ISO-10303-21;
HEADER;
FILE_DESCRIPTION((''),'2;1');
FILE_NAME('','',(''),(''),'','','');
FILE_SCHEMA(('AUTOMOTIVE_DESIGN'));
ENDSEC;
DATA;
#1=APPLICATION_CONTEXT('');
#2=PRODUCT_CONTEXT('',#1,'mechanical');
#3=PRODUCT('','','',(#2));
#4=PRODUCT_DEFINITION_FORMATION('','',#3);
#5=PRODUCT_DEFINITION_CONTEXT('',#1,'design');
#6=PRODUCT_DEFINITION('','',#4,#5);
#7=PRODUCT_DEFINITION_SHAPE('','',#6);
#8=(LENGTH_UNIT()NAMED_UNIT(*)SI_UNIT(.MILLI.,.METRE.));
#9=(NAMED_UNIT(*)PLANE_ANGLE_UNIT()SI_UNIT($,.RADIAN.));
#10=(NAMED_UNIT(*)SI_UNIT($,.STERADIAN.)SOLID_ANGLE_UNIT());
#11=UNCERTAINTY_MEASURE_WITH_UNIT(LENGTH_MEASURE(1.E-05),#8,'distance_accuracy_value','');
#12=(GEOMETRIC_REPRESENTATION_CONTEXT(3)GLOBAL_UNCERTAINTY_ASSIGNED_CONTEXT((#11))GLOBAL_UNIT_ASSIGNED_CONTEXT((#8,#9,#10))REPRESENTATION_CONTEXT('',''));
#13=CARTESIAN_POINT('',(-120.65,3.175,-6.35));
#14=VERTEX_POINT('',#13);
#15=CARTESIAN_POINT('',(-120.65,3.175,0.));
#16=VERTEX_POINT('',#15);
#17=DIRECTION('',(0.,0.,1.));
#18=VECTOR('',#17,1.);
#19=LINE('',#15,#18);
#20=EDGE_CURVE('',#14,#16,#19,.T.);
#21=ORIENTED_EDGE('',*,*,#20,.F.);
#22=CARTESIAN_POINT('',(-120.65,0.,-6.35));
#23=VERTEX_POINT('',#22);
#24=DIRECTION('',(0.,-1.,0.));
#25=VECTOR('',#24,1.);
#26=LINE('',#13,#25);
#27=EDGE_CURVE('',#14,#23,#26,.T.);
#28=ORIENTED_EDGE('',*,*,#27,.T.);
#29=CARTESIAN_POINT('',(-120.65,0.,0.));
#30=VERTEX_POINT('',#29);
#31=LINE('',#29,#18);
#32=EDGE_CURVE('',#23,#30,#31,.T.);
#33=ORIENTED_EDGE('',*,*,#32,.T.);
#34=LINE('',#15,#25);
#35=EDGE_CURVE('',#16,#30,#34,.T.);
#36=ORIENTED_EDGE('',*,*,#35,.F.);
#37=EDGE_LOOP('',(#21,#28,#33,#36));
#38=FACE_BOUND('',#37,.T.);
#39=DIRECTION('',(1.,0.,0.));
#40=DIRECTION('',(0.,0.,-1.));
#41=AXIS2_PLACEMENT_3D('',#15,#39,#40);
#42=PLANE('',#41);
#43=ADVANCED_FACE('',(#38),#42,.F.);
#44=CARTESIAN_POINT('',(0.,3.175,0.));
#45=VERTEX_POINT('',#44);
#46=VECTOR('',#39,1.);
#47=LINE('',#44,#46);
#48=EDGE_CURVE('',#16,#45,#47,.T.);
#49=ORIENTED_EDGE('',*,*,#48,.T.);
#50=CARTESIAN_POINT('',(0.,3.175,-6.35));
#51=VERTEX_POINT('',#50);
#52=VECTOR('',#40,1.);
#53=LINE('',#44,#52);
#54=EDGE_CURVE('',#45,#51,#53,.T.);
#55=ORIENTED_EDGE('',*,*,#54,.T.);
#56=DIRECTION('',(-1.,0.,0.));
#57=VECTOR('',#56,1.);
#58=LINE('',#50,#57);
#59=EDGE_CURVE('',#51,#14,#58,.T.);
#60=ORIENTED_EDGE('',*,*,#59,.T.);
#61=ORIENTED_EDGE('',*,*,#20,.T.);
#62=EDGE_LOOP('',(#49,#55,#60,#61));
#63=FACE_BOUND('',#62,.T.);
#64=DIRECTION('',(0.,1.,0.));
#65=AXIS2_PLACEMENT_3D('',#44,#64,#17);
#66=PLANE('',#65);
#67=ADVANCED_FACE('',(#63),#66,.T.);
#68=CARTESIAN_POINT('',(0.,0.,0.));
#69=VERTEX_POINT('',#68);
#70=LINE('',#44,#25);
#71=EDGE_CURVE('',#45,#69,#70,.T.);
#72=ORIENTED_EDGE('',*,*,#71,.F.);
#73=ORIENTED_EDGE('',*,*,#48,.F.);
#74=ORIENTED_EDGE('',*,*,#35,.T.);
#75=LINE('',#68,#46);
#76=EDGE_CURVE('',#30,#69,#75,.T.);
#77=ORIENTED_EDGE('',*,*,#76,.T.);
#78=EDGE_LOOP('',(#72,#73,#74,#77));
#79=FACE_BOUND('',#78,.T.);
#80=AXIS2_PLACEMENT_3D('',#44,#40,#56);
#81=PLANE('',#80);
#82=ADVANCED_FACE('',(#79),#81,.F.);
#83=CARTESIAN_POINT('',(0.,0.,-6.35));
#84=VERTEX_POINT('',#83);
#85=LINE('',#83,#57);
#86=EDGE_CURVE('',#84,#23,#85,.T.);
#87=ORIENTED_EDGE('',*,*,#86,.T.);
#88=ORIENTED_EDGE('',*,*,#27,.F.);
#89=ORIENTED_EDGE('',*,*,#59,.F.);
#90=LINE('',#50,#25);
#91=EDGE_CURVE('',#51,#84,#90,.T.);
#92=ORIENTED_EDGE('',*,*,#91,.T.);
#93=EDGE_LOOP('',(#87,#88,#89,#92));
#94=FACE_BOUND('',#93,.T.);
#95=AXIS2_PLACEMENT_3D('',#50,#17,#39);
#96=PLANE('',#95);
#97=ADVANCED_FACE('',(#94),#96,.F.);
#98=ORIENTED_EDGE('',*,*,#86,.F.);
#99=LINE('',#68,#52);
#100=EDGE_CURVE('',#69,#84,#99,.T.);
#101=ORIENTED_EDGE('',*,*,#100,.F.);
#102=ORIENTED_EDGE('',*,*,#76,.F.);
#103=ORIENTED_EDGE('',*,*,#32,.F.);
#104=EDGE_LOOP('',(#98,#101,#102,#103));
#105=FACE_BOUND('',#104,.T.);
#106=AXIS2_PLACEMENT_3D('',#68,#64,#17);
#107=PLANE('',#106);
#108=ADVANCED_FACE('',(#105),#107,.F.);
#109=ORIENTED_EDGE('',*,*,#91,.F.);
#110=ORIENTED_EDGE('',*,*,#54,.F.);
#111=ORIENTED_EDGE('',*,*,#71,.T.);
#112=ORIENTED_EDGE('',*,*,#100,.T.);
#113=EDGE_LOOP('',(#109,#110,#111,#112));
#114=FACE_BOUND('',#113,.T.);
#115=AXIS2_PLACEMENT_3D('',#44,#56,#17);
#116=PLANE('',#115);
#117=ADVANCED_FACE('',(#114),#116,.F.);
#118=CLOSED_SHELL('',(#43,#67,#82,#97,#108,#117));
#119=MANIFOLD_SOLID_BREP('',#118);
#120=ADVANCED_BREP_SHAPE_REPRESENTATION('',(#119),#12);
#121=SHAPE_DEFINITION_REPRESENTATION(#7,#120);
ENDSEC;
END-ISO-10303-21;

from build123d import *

# Parameters (mm, degrees)
SKETCH1_W           = 120.65
SKETCH1_H           = 6.35
BOSS_EXTRUDE1_DEPTH = 3.175


with BuildPart() as part:
    # Sketch1 → Boss-Extrude1 (new body)
    with BuildSketch(Plane(origin=(0, 0, 0), x_dir=(1, 0, 0), z_dir=(0, 1, 0))):
        with Locations((-60.325, 3.175)):
            Rectangle(SKETCH1_W, SKETCH1_H)
    extrude(amount=BOSS_EXTRUDE1_DEPTH)


solid = part.part
